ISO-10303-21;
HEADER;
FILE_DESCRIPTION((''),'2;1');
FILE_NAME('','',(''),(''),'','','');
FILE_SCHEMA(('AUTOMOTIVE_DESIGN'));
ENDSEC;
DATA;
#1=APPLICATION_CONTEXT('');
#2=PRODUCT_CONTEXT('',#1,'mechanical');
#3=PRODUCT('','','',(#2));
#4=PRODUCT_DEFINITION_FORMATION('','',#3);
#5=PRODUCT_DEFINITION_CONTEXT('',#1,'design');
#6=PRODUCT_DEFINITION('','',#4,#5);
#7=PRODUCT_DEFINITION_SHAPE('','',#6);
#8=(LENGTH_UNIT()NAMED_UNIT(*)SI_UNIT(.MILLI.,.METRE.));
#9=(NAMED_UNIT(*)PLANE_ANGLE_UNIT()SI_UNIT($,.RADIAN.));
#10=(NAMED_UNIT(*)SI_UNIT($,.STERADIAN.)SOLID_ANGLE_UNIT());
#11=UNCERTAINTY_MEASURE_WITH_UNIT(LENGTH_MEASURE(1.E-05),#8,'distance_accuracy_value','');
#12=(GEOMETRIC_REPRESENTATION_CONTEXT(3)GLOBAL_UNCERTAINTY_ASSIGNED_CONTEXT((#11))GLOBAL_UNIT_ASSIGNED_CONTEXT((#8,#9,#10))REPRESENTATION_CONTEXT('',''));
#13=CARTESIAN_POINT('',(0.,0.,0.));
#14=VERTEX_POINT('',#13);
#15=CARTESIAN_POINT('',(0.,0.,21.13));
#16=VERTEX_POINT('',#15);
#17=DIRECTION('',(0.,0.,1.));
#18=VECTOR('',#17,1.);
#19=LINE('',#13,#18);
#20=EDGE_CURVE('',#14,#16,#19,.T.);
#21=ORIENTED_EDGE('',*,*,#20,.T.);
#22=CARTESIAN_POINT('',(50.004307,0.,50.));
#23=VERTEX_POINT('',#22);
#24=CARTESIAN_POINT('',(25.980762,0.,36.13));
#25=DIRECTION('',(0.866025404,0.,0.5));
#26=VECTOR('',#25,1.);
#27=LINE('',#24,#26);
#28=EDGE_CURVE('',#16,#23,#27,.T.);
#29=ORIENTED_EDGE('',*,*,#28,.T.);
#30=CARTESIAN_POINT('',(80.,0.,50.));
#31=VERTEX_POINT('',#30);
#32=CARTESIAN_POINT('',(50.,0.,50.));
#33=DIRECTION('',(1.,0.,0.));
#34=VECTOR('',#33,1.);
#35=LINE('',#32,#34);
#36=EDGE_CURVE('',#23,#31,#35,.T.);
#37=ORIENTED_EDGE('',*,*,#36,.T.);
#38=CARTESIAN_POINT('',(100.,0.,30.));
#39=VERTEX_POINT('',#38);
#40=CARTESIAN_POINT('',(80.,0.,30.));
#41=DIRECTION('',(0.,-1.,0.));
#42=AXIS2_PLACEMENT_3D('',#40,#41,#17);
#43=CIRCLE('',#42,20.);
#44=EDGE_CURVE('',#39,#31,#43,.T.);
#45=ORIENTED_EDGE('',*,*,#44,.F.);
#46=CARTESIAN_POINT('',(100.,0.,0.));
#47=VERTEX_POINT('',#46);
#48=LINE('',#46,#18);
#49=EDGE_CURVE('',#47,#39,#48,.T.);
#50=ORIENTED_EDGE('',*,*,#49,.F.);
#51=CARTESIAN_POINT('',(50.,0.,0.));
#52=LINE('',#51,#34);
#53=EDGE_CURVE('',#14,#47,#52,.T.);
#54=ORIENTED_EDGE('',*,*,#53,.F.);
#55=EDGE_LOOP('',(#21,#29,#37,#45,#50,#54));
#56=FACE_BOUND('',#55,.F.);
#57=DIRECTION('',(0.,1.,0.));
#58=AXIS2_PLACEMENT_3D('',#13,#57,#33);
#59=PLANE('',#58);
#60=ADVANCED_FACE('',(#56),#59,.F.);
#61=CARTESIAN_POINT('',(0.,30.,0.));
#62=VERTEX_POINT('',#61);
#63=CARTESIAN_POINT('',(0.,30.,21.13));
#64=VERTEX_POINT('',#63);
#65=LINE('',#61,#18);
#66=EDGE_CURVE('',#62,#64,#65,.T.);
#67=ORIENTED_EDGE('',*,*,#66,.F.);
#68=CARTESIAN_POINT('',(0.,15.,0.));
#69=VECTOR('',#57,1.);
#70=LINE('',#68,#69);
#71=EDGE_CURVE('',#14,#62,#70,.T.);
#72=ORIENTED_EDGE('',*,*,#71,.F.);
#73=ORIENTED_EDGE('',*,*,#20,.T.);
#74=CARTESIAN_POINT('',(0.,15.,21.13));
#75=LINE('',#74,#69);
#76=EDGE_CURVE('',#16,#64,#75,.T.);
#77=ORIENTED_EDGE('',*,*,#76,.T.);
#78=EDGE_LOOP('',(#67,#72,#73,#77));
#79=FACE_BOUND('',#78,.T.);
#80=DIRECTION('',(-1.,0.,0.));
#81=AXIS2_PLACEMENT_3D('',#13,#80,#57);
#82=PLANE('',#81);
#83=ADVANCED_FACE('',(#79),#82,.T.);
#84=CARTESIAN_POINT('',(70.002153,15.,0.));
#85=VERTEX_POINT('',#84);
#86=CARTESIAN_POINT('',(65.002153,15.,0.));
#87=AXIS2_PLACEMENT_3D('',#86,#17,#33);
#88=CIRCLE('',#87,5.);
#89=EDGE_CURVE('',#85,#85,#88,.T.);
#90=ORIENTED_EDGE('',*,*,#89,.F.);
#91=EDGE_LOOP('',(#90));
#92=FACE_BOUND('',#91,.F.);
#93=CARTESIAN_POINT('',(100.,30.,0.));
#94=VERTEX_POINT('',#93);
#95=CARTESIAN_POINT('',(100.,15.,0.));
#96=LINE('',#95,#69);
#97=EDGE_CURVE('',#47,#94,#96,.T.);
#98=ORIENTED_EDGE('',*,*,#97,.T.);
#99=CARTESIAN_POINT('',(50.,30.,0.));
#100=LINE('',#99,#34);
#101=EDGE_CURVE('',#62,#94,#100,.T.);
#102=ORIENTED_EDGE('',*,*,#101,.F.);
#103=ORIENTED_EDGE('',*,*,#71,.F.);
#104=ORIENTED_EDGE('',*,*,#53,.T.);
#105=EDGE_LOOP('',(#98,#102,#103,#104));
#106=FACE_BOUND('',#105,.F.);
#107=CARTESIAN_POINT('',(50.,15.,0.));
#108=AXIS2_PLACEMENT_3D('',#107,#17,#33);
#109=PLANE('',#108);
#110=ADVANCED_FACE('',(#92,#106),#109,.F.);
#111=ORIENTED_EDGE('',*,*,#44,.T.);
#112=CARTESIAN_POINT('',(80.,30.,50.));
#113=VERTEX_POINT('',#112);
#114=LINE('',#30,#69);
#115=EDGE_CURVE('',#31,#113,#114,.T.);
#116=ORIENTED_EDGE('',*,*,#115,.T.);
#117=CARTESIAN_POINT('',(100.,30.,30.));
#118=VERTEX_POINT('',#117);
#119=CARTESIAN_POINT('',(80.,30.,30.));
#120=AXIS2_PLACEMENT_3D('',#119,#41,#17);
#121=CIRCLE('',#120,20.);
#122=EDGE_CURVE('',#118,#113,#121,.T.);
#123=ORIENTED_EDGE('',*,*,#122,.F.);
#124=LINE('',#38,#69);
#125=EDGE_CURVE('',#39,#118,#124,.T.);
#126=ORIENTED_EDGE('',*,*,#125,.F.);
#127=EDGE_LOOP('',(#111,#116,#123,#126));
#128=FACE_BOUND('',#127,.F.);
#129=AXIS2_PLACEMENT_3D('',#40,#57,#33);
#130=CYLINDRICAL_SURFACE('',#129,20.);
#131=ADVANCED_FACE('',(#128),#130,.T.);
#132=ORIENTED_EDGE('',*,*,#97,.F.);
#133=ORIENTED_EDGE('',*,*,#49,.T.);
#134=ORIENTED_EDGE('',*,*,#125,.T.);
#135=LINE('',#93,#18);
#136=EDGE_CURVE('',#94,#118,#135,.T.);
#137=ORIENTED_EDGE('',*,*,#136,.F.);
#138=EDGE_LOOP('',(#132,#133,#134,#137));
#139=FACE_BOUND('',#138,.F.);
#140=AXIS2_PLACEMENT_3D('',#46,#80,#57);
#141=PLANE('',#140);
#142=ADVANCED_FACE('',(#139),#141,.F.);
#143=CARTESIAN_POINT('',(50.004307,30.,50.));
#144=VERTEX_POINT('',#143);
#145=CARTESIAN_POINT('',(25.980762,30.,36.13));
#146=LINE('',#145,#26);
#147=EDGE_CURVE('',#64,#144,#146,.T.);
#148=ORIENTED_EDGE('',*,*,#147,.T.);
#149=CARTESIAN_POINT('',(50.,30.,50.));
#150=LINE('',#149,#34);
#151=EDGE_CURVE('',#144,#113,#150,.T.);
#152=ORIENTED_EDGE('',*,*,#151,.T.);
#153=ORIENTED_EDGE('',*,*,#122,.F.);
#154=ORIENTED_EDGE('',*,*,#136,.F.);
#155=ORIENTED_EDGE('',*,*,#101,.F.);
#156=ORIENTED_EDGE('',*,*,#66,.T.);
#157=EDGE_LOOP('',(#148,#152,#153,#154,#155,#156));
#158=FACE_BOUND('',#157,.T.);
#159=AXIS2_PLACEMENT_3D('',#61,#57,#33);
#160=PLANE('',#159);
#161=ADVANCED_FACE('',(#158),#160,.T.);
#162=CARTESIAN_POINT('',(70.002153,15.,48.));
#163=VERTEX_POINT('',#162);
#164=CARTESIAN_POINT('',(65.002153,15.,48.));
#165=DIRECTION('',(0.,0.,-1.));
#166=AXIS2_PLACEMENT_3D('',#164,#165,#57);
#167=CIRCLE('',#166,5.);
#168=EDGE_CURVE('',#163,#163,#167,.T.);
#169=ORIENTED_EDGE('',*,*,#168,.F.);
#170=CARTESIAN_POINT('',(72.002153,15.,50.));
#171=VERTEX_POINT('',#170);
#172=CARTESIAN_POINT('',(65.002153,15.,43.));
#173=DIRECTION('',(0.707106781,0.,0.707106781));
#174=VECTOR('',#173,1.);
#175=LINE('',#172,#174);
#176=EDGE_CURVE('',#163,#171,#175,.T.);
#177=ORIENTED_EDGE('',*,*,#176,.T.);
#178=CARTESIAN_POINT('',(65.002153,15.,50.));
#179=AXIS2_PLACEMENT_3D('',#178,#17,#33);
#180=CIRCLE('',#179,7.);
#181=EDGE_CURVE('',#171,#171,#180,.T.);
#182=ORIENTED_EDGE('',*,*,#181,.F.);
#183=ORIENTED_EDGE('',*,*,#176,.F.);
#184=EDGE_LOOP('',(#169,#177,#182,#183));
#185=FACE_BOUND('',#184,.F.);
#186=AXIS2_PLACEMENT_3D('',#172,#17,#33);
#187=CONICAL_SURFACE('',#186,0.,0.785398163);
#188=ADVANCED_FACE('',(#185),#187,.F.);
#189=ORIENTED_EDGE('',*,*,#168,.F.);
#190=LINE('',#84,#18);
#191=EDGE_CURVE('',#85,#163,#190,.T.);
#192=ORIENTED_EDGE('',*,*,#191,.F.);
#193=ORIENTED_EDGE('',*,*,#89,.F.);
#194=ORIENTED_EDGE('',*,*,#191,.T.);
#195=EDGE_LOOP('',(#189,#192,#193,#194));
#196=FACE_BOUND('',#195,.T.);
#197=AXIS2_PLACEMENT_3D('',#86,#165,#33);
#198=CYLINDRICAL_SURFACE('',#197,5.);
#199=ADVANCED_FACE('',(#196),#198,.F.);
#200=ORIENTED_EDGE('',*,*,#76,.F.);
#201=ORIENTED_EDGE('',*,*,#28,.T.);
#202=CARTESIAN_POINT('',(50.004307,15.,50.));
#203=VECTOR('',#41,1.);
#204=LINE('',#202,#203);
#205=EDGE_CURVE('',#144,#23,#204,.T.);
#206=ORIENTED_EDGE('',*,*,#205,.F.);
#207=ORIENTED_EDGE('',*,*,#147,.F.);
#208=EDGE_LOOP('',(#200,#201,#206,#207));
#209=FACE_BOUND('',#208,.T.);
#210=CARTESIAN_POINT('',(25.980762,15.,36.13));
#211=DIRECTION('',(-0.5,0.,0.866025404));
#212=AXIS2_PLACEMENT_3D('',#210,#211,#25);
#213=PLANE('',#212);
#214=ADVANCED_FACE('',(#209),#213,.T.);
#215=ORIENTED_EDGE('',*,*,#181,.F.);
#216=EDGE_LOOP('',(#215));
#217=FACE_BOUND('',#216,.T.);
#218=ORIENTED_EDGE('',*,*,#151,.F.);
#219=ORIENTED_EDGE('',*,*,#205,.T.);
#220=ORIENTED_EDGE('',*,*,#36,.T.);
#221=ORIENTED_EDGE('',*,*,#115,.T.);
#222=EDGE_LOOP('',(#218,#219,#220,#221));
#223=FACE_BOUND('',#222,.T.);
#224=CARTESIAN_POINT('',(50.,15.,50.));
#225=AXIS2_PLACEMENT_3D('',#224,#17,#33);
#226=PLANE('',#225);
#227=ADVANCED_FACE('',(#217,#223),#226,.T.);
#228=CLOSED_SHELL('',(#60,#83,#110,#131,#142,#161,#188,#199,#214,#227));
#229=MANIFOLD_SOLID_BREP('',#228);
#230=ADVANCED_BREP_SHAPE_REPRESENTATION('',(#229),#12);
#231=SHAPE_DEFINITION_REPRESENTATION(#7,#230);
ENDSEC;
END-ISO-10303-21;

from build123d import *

# Parameters (mm, degrees)
CYLINDER_R             = 5
CYLINDER_DEPTH         = 50
BOX001_W               = 60
BOX001_H               = 30
BOX001_DEPTH           = 30
BOX001_PLACEMENT_ANGLE = 330
BOX_W                  = 100
BOX_H                  = 30
BOX_DEPTH              = 50
FILLET_R               = 20


with BuildPart() as cone:
    # Cone → Cone (revolve)
    with BuildSketch(Plane(origin=(65.002153, 15, 43), x_dir=(1, 0, 0), z_dir=(0, -1, 0))):
        Polygon((0, 0), (7, 7), (0, 7), align=None)
    revolve(axis=Axis((65.002153, 15, 43), (0, 0, 1)))


with BuildPart() as cylinder:
    # Cylinder → Cylinder (new body)
    with BuildSketch(Plane(origin=(65.002153, 15, 0), x_dir=(1, 0, 0), z_dir=(0, 0, 1))):
        Circle(CYLINDER_R)
    extrude(amount=CYLINDER_DEPTH)


with BuildPart() as cube001:
    # Box001 → Box001 (new body)
    with BuildSketch(Plane.XY):
        with Locations((30, 15)):
            Rectangle(BOX001_W, BOX001_H)
    extrude(amount=BOX001_DEPTH)


with BuildPart() as cube001_1:
    # Box001 placement: moved
    add(cube001.part.moved(Location((0, 0, 21.13))).rotate(Axis((0, 0, 21.13), (0, 1, 0)), BOX001_PLACEMENT_ANGLE))


with BuildPart() as cut002:
    # Box → Box (new body)
    with BuildSketch(Plane.XY):
        with Locations((50, 15)):
            Rectangle(BOX_W, BOX_H)
    extrude(amount=BOX_DEPTH)

    # Fillet
    fillet_edges = [cut002.edges().sort_by_distance(p)[0] for p in [
        (100, 15, 50),
    ]]
    fillet(fillet_edges, radius=FILLET_R)

    # Cut: cut Cube001
    add(cube001_1.part, mode=Mode.SUBTRACT)

    # Cut001: cut Cylinder
    add(cylinder.part, mode=Mode.SUBTRACT)

    # Cut002: cut Cone
    add(cone.part, mode=Mode.SUBTRACT)


solid = cut002.part
